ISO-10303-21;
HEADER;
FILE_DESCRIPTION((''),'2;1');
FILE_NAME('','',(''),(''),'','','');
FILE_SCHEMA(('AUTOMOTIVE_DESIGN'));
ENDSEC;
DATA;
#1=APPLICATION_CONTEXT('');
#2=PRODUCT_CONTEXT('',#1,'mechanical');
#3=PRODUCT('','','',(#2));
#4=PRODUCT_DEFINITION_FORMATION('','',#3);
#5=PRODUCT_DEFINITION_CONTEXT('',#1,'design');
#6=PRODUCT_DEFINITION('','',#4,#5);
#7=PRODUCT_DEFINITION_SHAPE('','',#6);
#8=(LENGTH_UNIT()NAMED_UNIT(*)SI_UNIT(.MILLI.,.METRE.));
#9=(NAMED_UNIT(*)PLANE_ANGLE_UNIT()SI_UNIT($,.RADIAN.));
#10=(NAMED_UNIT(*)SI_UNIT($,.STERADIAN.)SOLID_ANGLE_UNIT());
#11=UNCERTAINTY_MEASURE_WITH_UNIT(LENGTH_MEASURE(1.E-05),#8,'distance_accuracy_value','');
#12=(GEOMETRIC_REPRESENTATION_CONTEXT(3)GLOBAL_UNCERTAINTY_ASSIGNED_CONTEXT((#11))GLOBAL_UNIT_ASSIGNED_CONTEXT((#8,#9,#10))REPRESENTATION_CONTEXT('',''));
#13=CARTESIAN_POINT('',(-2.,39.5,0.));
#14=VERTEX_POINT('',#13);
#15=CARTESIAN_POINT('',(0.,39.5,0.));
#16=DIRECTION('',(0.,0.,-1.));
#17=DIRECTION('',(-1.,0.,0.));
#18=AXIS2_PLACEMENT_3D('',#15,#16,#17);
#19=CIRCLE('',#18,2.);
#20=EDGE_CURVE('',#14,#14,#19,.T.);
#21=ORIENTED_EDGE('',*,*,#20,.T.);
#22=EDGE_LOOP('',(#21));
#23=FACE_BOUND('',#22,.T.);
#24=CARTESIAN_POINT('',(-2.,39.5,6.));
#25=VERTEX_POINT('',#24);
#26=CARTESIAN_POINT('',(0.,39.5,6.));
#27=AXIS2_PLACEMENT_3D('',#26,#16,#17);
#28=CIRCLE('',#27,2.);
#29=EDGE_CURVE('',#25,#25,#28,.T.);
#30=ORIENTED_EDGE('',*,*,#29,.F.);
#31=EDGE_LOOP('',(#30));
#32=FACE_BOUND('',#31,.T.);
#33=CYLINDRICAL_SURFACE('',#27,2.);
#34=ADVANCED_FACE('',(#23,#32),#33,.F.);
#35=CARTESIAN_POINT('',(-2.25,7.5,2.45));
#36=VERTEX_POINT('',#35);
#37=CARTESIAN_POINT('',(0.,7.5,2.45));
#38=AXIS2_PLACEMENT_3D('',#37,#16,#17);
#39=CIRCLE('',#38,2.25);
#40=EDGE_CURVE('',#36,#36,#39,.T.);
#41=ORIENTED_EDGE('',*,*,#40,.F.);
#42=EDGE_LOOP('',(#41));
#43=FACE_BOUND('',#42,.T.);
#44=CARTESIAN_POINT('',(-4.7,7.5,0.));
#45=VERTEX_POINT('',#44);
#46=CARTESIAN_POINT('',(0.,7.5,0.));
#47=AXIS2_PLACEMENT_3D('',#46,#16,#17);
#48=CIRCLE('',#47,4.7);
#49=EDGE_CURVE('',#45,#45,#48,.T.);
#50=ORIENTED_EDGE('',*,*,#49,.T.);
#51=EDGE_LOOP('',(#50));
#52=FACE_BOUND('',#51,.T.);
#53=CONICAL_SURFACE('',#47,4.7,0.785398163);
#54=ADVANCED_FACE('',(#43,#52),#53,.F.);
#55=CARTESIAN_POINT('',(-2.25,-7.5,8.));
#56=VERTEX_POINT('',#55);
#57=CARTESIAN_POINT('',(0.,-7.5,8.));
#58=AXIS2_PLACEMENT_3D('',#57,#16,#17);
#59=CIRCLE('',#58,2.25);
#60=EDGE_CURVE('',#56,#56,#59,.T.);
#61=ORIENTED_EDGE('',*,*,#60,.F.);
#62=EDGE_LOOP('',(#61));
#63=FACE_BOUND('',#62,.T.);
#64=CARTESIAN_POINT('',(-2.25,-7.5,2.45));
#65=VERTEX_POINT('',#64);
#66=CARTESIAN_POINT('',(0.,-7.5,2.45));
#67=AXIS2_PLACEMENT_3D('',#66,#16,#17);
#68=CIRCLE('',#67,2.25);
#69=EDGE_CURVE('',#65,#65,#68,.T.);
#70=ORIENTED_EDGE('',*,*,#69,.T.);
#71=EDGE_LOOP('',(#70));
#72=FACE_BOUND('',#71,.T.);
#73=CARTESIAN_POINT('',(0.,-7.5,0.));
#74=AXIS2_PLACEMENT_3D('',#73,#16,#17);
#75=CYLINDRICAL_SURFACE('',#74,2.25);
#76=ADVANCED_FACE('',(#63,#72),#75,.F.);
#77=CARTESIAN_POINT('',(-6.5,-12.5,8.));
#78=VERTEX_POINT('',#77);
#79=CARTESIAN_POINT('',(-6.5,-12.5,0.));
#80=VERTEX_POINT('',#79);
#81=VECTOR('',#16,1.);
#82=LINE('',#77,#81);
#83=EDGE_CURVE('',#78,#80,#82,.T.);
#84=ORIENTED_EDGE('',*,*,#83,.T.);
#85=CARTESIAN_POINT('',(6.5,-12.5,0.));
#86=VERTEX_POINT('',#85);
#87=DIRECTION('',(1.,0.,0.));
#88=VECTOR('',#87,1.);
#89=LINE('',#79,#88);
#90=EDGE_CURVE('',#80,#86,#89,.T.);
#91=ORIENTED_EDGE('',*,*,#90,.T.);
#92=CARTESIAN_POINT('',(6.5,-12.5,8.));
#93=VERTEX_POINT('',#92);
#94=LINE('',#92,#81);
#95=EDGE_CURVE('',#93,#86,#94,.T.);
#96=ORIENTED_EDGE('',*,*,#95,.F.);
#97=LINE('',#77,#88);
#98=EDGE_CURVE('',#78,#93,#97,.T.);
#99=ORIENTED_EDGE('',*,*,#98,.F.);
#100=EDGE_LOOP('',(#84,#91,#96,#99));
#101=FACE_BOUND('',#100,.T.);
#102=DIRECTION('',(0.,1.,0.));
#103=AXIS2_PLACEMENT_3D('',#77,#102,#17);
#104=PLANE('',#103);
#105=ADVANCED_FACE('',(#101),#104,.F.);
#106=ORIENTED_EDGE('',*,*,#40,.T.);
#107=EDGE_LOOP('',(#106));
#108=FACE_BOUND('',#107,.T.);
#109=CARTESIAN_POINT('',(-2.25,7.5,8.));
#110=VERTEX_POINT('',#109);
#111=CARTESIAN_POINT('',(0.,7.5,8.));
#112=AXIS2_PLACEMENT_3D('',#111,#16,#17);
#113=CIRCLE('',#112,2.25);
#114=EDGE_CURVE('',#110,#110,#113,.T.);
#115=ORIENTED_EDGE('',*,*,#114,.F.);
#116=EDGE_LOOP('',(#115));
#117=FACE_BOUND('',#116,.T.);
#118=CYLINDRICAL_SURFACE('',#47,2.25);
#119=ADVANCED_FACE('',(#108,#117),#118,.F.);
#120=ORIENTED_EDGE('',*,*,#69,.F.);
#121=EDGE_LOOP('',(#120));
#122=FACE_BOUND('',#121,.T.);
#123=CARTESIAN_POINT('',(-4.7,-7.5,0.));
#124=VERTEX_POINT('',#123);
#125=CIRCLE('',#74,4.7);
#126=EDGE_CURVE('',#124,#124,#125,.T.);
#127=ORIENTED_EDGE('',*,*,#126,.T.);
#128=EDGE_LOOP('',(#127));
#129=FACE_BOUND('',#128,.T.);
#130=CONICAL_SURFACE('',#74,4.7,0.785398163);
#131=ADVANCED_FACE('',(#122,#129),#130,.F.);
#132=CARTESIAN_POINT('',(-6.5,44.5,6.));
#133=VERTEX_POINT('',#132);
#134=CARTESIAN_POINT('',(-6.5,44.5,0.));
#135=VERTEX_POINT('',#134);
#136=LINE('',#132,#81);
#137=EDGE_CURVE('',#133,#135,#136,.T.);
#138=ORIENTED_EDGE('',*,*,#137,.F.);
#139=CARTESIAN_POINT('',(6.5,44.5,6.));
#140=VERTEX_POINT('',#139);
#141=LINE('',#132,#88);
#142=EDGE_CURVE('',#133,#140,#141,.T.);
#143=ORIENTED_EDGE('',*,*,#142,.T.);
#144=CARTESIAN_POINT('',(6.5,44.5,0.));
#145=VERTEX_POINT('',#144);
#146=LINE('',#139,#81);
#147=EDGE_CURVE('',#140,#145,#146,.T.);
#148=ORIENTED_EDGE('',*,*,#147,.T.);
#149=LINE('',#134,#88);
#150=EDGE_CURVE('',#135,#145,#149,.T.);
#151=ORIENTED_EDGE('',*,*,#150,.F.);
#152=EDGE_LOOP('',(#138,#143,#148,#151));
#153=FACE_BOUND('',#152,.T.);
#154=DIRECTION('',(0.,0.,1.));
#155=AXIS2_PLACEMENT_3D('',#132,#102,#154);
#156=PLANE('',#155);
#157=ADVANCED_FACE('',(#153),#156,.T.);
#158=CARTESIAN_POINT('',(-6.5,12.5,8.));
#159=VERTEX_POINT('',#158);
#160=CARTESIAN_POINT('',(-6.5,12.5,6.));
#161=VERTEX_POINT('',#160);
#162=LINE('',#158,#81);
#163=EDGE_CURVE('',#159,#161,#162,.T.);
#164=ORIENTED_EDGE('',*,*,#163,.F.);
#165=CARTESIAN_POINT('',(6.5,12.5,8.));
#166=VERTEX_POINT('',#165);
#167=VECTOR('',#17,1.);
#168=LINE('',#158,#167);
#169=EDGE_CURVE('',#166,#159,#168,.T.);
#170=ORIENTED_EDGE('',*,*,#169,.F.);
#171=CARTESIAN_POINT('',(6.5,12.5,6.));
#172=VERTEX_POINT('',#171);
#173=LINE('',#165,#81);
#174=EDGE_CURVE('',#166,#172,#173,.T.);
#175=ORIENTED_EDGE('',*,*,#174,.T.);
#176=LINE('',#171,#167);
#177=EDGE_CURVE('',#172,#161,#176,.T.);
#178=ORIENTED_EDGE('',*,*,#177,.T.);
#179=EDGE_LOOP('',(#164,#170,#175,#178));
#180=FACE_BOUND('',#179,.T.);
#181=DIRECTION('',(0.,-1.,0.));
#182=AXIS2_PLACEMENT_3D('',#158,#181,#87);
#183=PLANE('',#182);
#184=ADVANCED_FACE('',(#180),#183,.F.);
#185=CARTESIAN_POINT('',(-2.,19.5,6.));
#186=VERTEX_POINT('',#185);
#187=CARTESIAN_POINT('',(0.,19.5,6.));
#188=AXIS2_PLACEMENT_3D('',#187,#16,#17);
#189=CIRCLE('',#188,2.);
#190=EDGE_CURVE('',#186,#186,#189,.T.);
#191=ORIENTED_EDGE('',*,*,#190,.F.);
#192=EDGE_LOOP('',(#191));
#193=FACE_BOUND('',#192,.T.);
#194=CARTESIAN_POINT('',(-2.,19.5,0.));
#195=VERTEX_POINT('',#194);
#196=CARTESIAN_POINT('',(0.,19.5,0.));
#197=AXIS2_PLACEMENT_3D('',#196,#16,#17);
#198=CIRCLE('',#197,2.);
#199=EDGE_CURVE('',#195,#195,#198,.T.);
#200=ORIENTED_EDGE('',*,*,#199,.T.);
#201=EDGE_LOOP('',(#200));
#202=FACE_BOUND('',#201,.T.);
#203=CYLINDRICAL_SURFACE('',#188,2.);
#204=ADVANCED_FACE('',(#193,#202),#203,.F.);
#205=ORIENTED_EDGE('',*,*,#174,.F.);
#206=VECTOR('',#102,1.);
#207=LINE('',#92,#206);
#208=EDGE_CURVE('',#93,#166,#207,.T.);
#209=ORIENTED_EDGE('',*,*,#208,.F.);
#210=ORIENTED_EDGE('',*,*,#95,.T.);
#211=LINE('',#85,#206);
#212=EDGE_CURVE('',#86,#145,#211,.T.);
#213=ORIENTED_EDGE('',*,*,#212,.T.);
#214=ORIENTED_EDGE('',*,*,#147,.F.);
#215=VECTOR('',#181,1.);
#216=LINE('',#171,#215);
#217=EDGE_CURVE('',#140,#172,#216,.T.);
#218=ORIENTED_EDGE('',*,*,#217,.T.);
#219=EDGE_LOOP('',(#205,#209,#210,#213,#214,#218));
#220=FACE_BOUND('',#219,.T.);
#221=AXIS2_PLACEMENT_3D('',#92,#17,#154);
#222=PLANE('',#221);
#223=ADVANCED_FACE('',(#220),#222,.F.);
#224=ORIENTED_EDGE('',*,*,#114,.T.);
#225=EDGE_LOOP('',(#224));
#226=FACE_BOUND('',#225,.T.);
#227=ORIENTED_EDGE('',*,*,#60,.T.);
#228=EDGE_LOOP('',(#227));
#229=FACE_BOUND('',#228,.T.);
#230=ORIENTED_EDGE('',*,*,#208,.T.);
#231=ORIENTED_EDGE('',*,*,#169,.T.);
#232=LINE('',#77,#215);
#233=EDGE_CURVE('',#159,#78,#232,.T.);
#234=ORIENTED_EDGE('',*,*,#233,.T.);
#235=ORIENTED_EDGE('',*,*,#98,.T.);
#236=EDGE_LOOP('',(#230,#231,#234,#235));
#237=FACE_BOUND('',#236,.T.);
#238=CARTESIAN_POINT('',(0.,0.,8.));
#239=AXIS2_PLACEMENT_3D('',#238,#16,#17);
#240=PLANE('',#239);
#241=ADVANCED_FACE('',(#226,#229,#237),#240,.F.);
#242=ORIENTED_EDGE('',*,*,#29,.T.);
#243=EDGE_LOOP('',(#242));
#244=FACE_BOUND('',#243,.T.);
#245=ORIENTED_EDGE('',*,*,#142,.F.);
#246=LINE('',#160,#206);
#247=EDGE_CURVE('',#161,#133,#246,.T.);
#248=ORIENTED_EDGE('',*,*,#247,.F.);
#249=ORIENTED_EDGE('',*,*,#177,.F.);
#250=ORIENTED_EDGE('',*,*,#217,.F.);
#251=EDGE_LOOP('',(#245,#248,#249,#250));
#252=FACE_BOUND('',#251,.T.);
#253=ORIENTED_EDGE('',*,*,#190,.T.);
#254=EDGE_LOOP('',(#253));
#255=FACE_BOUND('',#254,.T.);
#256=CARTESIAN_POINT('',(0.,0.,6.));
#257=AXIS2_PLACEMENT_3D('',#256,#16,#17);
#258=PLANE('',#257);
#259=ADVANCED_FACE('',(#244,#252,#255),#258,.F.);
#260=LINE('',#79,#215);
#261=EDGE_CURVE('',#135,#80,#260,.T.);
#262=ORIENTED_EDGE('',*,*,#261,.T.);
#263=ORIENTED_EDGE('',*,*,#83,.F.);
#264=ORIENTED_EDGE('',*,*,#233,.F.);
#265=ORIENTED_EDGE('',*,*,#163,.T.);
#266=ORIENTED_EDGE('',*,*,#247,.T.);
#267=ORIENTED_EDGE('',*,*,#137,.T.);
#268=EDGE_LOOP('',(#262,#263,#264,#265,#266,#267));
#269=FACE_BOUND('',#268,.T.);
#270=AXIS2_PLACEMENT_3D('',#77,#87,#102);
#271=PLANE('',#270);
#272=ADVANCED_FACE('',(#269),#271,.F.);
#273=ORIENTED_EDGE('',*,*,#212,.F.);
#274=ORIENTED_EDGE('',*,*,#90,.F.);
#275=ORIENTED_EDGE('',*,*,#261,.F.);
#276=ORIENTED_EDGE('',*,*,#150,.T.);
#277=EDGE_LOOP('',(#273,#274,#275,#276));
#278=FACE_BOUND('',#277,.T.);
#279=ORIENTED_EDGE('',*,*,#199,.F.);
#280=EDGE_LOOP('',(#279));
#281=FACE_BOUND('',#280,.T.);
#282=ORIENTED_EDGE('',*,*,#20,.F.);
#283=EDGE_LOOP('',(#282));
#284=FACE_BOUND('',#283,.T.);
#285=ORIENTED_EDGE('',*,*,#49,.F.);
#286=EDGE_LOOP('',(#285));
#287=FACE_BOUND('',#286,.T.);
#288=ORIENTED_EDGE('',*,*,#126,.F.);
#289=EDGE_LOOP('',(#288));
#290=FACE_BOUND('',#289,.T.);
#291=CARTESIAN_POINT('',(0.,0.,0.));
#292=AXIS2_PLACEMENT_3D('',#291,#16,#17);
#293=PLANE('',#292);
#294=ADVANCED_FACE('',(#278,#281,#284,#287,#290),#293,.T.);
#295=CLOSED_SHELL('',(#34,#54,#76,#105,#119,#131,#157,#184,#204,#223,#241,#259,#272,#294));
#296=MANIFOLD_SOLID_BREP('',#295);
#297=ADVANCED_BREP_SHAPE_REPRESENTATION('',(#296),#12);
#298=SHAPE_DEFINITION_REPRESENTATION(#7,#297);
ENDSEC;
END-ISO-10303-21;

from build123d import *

# Parameters (mm, degrees)
SKETCH1_W                                     = 13
SKETCH1_H                                     = 25
SKETCH1_R                                     = 2
BOSS_EXTRUDE1_DEPTH                           = 8
SKETCH2_W                                     = 13
SKETCH2_H                                     = 32
SKETCH2_R                                     = 2
BOSS_EXTRUDE2_DEPTH                           = 6
CSK_FOR_M4_COUNTERSUNK_FLAT_HEAD1_D           = 4.5
CSK_FOR_M4_COUNTERSUNK_FLAT_HEAD1_CSINK_D     = 9.4
CSK_FOR_M4_COUNTERSUNK_FLAT_HEAD1_CSINK_ANGLE = 90


with BuildPart() as part:
    # Sketch1 → Boss-Extrude1 (new body)
    with BuildSketch(Plane.XY):
        Rectangle(SKETCH1_W, SKETCH1_H)
        with Locations((0, -7.5)):
            Circle(SKETCH1_R, mode=Mode.SUBTRACT)
        with Locations(Location((0, 7.5, 0), (0, 0, 180))):
            Circle(SKETCH1_R, mode=Mode.SUBTRACT)
    extrude(amount=BOSS_EXTRUDE1_DEPTH)

    # Sketch2 → Boss-Extrude2 (add)
    with BuildSketch(Plane(origin=(0, 0, 0), x_dir=(-1, 0, 0), z_dir=(0, 0, -1))):
        with Locations((0, 28.5)):
            Rectangle(SKETCH2_W, SKETCH2_H)
        with Locations((0, 39.5)):
            Circle(SKETCH2_R, mode=Mode.SUBTRACT)
        with Locations((0, 19.5)):
            Circle(SKETCH2_R, mode=Mode.SUBTRACT)
    extrude(amount=-BOSS_EXTRUDE2_DEPTH)

    # CSK for M4 Countersunk Flat Head1 (through all)
    with Locations(Plane(origin=(0, 0, 0), x_dir=(-1, 0, 0), z_dir=(0, 0, -1))):
        with Locations((0, -7.5), (0, 7.5)):
            CounterSinkHole(CSK_FOR_M4_COUNTERSUNK_FLAT_HEAD1_D / 2, CSK_FOR_M4_COUNTERSUNK_FLAT_HEAD1_CSINK_D / 2, counter_sink_angle=CSK_FOR_M4_COUNTERSUNK_FLAT_HEAD1_CSINK_ANGLE)


solid = part.part
